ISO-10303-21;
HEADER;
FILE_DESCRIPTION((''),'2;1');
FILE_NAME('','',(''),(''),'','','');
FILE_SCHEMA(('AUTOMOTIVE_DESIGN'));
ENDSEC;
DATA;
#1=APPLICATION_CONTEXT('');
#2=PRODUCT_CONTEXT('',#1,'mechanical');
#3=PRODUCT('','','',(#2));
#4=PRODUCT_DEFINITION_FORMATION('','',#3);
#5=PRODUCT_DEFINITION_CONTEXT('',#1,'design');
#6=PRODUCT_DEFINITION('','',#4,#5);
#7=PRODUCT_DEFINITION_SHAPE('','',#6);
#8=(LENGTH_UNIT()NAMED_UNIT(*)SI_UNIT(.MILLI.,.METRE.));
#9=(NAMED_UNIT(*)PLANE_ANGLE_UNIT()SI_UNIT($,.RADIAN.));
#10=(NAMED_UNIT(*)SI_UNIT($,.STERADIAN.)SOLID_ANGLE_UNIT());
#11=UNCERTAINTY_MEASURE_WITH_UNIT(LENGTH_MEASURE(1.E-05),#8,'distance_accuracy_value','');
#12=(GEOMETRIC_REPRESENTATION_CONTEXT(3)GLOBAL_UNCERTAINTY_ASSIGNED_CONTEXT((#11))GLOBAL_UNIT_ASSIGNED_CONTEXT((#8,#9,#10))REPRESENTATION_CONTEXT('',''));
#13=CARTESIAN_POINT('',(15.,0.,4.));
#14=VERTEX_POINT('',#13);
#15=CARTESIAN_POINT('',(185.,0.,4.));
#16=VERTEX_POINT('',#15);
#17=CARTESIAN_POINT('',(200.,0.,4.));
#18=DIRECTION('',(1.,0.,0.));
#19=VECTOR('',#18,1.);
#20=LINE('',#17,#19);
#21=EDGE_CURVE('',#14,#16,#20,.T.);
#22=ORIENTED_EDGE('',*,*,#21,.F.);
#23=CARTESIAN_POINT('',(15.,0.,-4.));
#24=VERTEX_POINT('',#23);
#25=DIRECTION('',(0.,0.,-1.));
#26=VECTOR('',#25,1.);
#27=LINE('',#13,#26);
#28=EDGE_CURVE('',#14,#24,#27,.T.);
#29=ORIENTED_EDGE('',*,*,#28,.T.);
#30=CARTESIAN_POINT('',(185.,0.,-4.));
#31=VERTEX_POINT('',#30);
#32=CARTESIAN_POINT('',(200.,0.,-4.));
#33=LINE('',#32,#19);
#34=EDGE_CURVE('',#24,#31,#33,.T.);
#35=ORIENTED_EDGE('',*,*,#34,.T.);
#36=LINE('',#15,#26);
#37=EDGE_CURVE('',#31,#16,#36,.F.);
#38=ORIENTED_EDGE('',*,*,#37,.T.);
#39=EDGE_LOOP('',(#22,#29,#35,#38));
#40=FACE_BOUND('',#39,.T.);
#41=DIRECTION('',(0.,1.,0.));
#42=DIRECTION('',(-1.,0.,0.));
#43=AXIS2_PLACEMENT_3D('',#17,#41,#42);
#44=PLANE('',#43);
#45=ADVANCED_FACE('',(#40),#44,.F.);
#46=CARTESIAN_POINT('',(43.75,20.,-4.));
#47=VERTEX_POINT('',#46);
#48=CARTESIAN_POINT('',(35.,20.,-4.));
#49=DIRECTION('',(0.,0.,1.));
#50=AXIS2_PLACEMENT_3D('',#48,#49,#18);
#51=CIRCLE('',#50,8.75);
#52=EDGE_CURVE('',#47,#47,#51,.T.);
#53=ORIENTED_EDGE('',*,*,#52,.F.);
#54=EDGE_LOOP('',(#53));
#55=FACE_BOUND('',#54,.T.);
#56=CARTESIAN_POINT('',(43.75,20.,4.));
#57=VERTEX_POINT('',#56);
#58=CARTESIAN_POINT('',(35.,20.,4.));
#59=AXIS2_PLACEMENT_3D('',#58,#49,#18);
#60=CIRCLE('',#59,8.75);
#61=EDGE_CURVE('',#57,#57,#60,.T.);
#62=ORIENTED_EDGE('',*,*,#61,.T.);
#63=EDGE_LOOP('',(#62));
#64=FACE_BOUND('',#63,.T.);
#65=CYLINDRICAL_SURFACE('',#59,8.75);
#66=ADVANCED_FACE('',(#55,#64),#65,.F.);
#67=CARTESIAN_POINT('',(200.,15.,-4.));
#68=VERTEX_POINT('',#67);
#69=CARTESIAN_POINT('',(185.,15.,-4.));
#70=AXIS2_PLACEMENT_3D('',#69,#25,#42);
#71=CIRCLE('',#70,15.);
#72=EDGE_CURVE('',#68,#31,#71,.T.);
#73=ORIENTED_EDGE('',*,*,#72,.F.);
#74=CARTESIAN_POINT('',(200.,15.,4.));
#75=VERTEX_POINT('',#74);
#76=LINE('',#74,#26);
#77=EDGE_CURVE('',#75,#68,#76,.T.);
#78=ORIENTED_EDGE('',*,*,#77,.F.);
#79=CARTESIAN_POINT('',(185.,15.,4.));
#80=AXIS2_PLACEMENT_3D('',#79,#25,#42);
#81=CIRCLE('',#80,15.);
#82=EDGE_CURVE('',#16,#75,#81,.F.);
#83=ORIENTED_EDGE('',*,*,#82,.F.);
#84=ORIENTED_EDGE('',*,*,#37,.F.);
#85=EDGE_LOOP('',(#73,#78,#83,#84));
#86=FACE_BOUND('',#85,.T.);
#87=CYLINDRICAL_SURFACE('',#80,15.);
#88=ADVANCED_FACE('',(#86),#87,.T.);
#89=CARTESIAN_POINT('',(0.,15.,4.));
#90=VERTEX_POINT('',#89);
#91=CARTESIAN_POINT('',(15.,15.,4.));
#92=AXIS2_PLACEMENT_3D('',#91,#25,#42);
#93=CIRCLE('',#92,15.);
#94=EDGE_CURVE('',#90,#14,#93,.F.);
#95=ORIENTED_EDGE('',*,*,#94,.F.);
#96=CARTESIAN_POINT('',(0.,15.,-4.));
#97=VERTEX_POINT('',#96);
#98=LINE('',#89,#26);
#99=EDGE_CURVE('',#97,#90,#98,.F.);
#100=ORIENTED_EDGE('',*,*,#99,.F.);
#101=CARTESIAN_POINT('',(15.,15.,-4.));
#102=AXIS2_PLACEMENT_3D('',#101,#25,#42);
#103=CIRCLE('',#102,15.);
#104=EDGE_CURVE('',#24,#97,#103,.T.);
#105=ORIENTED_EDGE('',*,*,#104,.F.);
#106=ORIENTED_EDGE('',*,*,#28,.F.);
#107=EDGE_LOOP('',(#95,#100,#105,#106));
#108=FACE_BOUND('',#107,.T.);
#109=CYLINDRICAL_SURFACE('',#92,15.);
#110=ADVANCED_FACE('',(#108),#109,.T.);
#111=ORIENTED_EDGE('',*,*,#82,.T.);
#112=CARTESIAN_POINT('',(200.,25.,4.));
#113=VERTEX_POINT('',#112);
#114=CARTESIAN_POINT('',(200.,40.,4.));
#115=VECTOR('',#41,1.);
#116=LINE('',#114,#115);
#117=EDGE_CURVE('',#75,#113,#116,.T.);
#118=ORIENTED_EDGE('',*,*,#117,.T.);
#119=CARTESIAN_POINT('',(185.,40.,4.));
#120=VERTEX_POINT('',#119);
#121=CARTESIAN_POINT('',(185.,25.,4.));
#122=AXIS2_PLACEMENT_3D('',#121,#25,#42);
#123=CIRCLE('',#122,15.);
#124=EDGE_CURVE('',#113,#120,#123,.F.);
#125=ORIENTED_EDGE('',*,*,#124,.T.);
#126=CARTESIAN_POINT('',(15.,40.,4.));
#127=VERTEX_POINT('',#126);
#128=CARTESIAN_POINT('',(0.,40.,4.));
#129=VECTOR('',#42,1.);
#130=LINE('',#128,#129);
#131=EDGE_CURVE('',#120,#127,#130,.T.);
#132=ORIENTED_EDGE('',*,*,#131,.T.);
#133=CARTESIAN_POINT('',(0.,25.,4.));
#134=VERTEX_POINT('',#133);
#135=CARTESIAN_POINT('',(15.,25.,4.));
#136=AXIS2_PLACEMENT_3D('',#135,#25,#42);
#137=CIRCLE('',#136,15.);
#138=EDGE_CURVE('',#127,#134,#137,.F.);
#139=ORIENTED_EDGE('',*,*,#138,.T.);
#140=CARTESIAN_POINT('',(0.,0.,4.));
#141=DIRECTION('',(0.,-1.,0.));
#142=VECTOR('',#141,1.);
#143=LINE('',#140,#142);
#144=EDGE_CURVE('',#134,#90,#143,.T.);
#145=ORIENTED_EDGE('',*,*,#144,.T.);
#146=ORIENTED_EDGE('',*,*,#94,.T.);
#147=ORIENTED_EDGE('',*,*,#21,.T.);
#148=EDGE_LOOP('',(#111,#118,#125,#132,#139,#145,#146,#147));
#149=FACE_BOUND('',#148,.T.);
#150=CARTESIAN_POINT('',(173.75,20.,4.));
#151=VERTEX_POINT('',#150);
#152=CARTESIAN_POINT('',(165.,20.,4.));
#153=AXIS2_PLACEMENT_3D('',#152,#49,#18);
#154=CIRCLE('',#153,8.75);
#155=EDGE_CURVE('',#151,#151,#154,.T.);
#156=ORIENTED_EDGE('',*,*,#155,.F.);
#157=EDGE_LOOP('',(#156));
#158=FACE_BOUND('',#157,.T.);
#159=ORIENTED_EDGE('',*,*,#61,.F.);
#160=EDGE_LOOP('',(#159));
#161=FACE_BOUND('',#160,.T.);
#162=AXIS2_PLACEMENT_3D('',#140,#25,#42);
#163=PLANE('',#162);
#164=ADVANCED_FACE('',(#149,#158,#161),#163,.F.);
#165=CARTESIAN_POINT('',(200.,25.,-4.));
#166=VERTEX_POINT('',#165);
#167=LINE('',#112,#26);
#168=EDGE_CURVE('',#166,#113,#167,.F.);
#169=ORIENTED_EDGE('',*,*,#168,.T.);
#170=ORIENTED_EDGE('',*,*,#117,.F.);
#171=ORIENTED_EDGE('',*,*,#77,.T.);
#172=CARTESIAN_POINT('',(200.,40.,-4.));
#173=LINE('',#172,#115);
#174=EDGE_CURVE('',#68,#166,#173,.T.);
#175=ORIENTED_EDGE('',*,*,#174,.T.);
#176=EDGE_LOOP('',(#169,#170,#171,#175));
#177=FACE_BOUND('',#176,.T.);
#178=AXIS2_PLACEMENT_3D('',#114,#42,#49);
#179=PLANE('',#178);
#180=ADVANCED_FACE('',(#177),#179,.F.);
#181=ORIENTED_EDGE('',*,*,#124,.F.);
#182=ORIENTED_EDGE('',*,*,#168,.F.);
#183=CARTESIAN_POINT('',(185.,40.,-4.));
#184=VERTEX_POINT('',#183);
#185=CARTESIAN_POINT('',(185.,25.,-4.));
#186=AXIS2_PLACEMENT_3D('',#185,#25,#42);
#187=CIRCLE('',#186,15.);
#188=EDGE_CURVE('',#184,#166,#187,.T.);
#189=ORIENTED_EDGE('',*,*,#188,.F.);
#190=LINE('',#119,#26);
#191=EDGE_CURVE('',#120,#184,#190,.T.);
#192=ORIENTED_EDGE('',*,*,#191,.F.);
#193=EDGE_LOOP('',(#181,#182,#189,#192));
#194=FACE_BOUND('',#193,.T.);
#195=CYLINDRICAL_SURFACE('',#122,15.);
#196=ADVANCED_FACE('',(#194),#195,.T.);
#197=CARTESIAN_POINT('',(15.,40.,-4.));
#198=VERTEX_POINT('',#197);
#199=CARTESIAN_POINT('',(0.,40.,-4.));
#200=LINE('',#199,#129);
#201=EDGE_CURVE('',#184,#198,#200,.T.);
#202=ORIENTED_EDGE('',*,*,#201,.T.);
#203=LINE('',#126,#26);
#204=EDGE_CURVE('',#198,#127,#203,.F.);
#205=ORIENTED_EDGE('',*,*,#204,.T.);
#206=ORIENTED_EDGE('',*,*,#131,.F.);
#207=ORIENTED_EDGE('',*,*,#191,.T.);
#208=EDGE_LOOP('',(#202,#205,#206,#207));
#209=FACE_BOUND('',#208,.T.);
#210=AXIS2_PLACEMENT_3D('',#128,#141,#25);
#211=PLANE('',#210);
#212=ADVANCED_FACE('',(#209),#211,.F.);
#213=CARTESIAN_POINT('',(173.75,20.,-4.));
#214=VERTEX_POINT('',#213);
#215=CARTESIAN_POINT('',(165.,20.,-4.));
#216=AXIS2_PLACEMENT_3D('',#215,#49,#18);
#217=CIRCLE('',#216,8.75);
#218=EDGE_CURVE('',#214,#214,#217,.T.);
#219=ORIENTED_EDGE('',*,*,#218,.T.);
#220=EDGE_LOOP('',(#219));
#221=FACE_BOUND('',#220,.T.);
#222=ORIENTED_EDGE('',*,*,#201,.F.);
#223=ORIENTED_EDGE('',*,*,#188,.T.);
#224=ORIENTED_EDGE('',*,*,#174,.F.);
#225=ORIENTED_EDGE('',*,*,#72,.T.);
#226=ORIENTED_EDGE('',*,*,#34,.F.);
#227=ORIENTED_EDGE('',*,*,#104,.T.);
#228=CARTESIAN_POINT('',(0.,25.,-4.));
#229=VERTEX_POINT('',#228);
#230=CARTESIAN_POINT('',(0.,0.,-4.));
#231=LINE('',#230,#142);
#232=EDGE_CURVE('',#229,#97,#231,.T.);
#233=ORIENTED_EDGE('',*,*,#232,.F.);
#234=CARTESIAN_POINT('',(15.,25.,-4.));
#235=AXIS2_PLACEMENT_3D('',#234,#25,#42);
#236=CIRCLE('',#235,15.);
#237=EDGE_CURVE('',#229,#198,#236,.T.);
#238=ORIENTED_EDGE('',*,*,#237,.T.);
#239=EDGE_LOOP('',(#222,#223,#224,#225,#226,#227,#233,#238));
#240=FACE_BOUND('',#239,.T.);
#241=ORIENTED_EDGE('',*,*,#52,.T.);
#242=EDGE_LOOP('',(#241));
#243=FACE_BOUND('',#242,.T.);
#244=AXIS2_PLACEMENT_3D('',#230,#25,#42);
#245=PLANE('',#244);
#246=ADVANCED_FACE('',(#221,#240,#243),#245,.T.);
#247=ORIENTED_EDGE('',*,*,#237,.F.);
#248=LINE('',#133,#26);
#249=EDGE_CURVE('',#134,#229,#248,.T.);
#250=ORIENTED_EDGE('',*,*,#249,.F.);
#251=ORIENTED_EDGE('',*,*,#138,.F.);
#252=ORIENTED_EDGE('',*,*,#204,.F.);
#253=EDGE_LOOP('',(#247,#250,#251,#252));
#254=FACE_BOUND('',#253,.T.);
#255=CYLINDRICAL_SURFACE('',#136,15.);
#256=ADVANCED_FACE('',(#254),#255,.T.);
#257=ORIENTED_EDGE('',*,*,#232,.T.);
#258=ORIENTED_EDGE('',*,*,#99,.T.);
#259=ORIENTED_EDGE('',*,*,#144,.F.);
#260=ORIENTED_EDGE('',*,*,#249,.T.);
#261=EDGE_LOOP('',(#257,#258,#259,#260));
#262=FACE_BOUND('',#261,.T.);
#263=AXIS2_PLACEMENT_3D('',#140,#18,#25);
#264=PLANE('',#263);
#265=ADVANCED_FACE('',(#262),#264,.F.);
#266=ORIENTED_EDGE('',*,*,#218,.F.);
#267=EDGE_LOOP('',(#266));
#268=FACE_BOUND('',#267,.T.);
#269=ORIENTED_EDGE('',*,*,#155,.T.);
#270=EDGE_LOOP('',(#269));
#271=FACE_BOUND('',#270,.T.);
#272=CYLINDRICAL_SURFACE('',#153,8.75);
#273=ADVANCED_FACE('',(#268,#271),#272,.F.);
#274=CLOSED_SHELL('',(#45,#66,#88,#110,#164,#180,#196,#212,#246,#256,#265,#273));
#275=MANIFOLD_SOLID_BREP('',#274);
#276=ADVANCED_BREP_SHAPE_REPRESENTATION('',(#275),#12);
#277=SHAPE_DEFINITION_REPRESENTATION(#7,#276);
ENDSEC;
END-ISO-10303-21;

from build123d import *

# Parameters (mm, degrees)
ESBO_O1_W                                = 200
ESBO_O1_H                                = 40
RESSALTO_EXTRUS_O1_DEPTH                 = 4
FILETE2_R                                = 15
BROCA_DE_ROSQUEAR_PARA_TARRAXA_DE_M201_D = 17.5


with BuildPart() as part:
    # Esboço1 → Ressalto-extrusão1 (new, symmetric)
    with BuildSketch(Plane.XY):
        with Locations((100, 20)):
            Rectangle(ESBO_O1_W, ESBO_O1_H)
    extrude(amount=RESSALTO_EXTRUS_O1_DEPTH, both=True)

    # Filete2
    filete2_edges = [part.edges().sort_by_distance(p)[0] for p in [
        (0, 0, 0),
        (0, 40, 0),
        (200, 40, 0),
        (200, 0, 0),
    ]]
    fillet(filete2_edges, radius=FILETE2_R)

    # Broca de rosquear para tarraxa de M201 (through all)
    with Locations(Plane.XY.offset(4)):
        with Locations((35, 20), (165, 20)):
            Hole(BROCA_DE_ROSQUEAR_PARA_TARRAXA_DE_M201_D / 2)


solid = part.part
